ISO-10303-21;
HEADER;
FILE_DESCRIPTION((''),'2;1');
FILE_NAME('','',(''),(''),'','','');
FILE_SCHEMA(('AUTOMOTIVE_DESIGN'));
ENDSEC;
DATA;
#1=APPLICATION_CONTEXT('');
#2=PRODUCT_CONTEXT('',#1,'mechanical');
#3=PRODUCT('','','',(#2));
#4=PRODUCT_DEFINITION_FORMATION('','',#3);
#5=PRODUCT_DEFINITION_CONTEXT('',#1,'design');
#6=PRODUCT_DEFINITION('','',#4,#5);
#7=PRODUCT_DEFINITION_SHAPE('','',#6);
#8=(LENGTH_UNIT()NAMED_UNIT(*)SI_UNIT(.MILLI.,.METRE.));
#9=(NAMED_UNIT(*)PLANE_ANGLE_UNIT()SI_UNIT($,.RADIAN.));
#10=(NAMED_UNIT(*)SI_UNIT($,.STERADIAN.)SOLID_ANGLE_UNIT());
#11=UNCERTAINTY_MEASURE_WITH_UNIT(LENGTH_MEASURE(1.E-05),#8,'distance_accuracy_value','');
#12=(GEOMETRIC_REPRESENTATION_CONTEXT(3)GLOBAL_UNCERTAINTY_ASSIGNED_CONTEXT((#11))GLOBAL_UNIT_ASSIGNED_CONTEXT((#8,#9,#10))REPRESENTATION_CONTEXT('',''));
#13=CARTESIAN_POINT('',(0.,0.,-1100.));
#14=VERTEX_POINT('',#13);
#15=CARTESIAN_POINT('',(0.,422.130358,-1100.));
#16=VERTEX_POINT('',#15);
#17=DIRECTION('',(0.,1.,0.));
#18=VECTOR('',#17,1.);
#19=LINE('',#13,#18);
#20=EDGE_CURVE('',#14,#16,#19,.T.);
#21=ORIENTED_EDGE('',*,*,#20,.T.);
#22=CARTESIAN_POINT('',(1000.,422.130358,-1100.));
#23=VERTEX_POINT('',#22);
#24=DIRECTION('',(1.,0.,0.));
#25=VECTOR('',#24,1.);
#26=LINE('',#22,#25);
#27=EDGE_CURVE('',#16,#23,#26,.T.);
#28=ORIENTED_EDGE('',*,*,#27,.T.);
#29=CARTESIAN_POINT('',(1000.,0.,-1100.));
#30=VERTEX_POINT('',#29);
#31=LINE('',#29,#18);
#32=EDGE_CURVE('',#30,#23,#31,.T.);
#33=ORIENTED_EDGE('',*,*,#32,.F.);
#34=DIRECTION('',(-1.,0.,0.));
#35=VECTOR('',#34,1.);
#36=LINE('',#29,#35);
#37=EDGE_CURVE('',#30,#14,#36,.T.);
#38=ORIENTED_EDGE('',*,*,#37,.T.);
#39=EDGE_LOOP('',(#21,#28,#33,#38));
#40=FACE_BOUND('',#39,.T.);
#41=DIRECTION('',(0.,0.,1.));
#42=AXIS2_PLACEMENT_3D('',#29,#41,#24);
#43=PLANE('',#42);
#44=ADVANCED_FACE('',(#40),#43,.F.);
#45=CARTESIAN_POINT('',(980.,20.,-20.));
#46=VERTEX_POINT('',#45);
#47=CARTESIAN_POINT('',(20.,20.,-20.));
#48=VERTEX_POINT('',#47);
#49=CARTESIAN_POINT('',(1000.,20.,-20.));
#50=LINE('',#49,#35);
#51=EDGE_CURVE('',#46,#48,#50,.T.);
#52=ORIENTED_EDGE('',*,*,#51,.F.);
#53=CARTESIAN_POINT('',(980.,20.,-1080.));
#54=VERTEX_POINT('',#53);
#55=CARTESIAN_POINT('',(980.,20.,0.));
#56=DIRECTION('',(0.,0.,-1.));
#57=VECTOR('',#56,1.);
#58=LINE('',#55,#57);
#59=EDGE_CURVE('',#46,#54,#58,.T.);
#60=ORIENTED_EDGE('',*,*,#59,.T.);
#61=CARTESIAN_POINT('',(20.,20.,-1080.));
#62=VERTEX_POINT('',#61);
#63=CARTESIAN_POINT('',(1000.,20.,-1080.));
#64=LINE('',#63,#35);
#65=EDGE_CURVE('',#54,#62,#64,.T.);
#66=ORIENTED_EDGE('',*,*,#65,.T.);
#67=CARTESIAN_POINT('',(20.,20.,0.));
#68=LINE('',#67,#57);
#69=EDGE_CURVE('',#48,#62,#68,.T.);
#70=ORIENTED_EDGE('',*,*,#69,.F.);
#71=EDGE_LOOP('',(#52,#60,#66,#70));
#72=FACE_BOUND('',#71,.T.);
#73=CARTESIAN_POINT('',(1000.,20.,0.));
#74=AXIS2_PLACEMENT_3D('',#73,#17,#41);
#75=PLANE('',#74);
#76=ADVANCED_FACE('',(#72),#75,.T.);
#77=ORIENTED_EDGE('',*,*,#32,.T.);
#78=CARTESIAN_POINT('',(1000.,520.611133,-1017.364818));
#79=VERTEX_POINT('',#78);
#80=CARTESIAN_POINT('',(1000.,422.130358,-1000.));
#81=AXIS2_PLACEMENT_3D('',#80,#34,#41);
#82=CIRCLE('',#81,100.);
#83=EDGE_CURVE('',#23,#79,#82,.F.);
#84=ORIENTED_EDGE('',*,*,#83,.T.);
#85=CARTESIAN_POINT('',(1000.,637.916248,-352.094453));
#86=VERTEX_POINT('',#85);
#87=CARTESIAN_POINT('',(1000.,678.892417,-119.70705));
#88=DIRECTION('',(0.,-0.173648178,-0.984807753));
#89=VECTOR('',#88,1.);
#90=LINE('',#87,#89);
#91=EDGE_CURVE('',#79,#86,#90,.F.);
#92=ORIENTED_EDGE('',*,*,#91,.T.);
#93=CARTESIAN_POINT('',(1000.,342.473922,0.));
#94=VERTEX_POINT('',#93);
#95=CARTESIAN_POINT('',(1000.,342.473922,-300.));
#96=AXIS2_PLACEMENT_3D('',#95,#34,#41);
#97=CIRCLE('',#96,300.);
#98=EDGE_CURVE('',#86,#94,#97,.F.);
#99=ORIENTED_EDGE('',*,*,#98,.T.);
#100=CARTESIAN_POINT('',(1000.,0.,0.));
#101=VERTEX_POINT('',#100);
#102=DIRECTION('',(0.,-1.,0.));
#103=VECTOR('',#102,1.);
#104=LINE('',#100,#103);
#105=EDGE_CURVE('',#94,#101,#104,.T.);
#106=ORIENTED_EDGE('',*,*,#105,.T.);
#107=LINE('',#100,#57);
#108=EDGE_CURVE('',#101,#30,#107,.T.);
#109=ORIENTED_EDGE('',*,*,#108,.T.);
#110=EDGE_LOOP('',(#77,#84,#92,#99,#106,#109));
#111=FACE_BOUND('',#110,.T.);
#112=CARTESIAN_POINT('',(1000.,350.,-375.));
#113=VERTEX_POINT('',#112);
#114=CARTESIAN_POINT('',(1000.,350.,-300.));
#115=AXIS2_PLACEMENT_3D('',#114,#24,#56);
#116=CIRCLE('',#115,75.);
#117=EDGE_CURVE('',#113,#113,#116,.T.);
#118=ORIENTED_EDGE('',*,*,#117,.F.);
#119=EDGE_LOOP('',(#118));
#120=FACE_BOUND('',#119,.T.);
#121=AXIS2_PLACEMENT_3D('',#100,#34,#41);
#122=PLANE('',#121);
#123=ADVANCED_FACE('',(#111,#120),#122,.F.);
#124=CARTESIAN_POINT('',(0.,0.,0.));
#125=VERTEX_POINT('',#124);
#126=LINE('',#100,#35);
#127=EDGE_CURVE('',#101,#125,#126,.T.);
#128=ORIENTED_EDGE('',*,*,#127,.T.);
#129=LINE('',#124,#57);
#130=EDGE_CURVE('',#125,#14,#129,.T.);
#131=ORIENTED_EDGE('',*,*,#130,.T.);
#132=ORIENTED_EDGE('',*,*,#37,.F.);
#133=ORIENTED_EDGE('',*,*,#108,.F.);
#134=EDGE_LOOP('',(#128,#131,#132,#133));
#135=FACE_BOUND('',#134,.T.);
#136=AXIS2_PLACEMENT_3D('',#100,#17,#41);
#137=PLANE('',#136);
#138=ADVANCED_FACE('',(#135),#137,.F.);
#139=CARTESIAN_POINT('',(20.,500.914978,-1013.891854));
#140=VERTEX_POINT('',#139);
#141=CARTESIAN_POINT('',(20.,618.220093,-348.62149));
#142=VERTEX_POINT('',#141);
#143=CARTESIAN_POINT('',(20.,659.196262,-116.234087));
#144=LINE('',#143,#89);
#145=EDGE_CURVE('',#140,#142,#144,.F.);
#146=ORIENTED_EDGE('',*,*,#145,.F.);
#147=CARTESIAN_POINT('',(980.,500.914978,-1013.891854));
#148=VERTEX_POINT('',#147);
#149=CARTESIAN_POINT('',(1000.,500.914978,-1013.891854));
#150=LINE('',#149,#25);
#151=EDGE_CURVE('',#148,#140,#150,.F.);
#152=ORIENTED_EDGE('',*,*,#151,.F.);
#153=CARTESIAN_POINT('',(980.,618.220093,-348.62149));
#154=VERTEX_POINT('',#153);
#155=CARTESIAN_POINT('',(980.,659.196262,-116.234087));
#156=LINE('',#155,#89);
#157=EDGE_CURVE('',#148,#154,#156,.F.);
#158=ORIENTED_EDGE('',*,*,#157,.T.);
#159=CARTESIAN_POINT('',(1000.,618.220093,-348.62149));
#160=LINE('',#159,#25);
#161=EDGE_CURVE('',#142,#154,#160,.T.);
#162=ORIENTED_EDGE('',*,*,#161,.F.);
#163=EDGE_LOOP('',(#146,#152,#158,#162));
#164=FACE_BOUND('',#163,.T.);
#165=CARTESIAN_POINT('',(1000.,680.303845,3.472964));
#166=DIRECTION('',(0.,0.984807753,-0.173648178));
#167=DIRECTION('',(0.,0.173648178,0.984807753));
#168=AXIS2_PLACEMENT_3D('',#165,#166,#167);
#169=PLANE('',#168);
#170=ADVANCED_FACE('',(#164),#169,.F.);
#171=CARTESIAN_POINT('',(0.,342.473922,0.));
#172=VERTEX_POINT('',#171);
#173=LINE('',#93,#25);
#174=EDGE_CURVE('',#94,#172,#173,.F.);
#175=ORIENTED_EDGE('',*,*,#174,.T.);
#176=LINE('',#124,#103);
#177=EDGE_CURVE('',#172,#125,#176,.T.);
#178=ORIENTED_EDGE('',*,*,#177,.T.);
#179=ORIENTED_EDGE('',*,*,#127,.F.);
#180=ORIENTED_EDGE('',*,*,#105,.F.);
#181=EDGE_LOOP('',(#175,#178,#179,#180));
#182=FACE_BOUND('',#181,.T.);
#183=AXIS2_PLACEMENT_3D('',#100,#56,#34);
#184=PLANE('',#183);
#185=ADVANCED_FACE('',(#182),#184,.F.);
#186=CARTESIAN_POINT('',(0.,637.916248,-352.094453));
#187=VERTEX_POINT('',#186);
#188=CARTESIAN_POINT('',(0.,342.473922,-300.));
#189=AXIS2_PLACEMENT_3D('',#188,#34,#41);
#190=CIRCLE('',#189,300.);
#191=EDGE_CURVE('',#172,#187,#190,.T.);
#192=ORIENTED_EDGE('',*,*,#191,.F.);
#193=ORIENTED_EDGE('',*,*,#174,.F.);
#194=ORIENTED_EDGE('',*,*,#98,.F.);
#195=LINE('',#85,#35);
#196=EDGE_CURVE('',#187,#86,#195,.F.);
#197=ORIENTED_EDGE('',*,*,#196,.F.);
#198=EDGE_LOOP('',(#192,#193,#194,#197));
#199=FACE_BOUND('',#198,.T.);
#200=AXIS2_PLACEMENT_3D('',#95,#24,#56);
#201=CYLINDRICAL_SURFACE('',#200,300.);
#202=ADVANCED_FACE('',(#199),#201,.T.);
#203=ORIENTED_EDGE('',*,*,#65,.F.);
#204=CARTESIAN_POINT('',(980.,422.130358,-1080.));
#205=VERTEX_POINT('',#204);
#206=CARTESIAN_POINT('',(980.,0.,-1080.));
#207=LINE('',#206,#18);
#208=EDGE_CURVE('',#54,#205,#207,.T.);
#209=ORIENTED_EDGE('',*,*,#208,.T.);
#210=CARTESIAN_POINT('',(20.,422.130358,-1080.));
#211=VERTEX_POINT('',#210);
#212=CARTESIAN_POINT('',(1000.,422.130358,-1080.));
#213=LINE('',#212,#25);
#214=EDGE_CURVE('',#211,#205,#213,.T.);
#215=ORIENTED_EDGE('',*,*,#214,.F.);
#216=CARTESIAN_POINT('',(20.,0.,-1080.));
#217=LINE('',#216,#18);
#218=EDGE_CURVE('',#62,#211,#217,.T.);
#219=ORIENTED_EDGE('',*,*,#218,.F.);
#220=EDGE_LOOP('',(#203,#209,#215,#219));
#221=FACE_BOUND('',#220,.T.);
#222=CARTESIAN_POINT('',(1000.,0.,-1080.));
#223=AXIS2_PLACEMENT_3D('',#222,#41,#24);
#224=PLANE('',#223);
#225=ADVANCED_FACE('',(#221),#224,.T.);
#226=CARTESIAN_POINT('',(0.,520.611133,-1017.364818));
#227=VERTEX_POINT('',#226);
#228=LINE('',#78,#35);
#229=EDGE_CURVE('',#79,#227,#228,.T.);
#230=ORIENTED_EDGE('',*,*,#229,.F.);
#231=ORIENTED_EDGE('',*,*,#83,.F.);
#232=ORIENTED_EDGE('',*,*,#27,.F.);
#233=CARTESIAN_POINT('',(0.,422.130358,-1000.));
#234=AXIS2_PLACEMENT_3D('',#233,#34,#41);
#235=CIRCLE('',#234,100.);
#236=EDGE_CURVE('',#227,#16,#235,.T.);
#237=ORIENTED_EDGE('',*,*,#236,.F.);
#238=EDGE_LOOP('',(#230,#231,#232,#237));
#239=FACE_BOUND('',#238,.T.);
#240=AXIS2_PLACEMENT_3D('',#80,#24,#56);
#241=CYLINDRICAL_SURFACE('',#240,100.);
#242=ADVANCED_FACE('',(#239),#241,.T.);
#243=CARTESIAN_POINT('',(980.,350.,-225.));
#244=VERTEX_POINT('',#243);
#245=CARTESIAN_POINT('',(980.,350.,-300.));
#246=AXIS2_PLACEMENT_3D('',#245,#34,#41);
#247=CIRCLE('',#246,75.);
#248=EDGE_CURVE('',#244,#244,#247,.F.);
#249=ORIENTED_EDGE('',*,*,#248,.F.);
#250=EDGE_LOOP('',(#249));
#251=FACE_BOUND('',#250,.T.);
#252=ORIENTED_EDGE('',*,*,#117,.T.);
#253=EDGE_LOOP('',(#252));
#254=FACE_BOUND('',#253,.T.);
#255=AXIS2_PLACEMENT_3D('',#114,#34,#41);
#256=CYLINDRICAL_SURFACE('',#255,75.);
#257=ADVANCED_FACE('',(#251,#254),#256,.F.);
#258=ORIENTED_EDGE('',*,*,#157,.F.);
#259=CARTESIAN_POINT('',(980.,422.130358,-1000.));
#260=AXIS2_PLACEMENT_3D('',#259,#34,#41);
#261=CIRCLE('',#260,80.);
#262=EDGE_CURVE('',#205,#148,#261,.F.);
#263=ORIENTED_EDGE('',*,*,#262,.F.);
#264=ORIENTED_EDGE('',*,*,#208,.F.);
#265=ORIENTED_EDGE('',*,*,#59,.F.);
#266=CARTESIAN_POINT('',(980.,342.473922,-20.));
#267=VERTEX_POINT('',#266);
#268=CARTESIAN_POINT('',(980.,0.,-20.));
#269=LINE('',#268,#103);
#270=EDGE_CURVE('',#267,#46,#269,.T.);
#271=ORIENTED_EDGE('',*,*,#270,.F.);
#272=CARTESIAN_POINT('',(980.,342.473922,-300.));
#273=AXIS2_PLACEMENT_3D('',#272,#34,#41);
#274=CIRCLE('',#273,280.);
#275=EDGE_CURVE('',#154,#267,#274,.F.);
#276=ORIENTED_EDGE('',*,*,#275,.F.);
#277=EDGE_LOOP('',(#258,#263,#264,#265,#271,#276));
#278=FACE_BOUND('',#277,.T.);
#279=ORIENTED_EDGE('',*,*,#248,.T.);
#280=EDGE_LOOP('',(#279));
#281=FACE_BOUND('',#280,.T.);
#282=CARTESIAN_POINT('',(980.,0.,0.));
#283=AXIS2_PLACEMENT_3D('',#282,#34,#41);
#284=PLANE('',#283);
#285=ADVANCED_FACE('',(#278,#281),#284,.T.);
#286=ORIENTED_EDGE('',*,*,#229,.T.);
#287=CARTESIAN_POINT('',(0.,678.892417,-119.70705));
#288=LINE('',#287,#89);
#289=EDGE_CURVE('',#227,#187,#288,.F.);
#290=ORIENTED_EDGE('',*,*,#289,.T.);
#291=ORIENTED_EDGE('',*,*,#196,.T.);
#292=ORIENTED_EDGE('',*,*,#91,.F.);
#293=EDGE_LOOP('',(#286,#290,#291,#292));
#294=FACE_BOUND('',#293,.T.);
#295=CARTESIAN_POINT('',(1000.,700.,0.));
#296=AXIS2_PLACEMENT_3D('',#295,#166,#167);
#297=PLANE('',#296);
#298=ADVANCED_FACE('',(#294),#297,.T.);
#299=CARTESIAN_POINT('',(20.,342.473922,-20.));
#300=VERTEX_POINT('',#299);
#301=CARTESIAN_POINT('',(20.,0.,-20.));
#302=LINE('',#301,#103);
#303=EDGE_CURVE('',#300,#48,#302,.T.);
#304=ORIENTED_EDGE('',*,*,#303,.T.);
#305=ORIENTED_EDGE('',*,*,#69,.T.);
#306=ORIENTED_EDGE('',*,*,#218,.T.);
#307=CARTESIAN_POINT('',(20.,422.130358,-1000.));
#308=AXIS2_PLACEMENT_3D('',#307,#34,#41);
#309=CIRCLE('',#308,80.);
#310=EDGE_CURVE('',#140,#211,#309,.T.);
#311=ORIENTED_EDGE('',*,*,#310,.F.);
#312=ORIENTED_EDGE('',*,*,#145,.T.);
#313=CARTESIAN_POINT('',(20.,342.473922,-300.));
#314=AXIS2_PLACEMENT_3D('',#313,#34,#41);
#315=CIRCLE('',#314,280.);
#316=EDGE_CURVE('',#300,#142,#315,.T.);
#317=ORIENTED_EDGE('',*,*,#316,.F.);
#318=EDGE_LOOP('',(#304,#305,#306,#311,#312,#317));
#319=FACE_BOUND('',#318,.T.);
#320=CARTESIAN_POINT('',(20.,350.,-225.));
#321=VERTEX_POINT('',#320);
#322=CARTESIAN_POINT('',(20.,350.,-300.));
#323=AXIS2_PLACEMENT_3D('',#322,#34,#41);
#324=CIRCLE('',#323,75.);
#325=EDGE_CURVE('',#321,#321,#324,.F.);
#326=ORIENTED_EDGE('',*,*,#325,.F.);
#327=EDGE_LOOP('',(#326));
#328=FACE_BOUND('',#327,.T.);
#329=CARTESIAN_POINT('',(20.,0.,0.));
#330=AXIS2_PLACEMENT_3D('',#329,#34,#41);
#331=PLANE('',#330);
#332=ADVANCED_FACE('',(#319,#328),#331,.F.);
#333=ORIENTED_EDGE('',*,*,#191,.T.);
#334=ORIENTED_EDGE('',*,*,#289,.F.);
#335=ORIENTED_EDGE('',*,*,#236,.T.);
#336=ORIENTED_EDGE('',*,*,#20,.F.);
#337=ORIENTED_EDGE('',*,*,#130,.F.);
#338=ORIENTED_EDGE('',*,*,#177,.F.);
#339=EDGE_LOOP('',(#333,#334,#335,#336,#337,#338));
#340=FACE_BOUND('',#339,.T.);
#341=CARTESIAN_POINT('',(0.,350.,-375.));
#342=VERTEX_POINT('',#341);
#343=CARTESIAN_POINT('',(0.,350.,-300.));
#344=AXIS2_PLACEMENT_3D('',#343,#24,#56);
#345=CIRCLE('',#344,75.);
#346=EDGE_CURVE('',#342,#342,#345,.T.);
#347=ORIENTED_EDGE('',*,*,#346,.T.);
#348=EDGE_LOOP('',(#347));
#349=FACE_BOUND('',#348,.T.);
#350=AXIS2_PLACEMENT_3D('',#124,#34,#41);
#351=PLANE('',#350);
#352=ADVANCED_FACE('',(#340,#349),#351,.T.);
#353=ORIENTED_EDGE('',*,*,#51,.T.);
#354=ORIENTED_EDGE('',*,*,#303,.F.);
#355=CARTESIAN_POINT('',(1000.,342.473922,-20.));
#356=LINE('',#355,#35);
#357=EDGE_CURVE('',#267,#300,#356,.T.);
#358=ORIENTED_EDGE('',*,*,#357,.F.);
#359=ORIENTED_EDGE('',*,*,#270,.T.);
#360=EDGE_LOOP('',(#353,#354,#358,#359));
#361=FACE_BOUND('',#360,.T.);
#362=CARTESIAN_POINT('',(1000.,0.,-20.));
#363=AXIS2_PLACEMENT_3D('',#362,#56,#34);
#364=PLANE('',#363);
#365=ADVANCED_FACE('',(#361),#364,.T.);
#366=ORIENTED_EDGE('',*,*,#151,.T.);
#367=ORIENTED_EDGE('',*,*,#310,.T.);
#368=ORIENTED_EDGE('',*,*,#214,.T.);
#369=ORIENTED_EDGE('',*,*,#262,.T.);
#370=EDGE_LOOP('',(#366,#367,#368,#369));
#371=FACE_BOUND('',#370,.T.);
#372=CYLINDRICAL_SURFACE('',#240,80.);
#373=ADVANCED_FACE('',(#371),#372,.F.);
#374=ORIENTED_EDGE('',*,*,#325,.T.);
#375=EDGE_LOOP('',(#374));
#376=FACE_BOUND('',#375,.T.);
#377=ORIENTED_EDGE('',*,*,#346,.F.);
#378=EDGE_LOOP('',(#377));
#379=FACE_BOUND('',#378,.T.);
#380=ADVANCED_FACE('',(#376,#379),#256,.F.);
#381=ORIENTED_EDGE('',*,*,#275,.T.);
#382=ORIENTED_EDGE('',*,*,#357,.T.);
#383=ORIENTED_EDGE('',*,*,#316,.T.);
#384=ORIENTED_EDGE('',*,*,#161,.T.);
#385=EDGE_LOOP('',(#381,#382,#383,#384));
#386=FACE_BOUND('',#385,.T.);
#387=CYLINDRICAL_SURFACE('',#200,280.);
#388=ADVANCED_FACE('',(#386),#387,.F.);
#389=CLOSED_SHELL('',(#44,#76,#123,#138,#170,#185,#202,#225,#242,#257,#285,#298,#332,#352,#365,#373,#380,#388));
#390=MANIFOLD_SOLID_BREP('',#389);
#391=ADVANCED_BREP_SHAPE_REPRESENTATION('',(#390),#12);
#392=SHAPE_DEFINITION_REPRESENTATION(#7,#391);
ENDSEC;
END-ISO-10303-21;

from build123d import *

# Parameters (mm, degrees)
SKETCH_271_W          = 1100
SKETCH_271_H          = 700
EXTRUDE_334_DEPTH     = 1000
DRAFT_385_ANGLE       = -10
FILLET_1_R            = 300
FILLET_2_R            = 100
SHELL_626_T           = 20
SKETCH_649_R          = 75
CUT_EXTRUDE_760_DEPTH = 1620.497681608


with BuildPart() as part:
    # Sketch 271 → Extrude 334 (new body)
    with BuildSketch(Plane(origin=(0, 0, 0), x_dir=(0, 0, -1), z_dir=(1, 0, 0))):
        with Locations((550, 350)):
            Rectangle(SKETCH_271_W, SKETCH_271_H)
    extrude(amount=EXTRUDE_334_DEPTH)

    # Draft 385
    draft_385_faces = [part.faces().sort_by_distance(p)[0] for p in [
        (500, 700, -550),
    ]]
    draft(draft_385_faces, Plane(origin=(1000, 0, 0), x_dir=(1, 0, 0), z_dir=(0, 0, 1)), DRAFT_385_ANGLE)

    # Скруглення1
    fillet_1_edges = [part.edges().sort_by_distance(p)[0] for p in [
        (500, 700, 0),
    ]]
    fillet(fillet_1_edges, radius=FILLET_1_R)

    # Скруглення2
    fillet_2_edges = [part.edges().sort_by_distance(p)[0] for p in [
        (500, 506.040321221, -1100),
    ]]
    fillet(fillet_2_edges, radius=FILLET_2_R)

    # Shell 626 (no face opened: a closed hollow body)
    add(offset(amount=-SHELL_626_T, mode=Mode.PRIVATE), mode=Mode.SUBTRACT)

    # Sketch 649 → Cut-Extrude 760 (cut, through all)
    with BuildSketch(Plane(origin=(0, 0, 0), x_dir=(0, 0, -1), z_dir=(1, 0, 0))):
        with Locations(Location((300, 350, 0), (0, 0, 180))):
            Circle(SKETCH_649_R)
    extrude(amount=CUT_EXTRUDE_760_DEPTH, mode=Mode.SUBTRACT)


solid = part.part
